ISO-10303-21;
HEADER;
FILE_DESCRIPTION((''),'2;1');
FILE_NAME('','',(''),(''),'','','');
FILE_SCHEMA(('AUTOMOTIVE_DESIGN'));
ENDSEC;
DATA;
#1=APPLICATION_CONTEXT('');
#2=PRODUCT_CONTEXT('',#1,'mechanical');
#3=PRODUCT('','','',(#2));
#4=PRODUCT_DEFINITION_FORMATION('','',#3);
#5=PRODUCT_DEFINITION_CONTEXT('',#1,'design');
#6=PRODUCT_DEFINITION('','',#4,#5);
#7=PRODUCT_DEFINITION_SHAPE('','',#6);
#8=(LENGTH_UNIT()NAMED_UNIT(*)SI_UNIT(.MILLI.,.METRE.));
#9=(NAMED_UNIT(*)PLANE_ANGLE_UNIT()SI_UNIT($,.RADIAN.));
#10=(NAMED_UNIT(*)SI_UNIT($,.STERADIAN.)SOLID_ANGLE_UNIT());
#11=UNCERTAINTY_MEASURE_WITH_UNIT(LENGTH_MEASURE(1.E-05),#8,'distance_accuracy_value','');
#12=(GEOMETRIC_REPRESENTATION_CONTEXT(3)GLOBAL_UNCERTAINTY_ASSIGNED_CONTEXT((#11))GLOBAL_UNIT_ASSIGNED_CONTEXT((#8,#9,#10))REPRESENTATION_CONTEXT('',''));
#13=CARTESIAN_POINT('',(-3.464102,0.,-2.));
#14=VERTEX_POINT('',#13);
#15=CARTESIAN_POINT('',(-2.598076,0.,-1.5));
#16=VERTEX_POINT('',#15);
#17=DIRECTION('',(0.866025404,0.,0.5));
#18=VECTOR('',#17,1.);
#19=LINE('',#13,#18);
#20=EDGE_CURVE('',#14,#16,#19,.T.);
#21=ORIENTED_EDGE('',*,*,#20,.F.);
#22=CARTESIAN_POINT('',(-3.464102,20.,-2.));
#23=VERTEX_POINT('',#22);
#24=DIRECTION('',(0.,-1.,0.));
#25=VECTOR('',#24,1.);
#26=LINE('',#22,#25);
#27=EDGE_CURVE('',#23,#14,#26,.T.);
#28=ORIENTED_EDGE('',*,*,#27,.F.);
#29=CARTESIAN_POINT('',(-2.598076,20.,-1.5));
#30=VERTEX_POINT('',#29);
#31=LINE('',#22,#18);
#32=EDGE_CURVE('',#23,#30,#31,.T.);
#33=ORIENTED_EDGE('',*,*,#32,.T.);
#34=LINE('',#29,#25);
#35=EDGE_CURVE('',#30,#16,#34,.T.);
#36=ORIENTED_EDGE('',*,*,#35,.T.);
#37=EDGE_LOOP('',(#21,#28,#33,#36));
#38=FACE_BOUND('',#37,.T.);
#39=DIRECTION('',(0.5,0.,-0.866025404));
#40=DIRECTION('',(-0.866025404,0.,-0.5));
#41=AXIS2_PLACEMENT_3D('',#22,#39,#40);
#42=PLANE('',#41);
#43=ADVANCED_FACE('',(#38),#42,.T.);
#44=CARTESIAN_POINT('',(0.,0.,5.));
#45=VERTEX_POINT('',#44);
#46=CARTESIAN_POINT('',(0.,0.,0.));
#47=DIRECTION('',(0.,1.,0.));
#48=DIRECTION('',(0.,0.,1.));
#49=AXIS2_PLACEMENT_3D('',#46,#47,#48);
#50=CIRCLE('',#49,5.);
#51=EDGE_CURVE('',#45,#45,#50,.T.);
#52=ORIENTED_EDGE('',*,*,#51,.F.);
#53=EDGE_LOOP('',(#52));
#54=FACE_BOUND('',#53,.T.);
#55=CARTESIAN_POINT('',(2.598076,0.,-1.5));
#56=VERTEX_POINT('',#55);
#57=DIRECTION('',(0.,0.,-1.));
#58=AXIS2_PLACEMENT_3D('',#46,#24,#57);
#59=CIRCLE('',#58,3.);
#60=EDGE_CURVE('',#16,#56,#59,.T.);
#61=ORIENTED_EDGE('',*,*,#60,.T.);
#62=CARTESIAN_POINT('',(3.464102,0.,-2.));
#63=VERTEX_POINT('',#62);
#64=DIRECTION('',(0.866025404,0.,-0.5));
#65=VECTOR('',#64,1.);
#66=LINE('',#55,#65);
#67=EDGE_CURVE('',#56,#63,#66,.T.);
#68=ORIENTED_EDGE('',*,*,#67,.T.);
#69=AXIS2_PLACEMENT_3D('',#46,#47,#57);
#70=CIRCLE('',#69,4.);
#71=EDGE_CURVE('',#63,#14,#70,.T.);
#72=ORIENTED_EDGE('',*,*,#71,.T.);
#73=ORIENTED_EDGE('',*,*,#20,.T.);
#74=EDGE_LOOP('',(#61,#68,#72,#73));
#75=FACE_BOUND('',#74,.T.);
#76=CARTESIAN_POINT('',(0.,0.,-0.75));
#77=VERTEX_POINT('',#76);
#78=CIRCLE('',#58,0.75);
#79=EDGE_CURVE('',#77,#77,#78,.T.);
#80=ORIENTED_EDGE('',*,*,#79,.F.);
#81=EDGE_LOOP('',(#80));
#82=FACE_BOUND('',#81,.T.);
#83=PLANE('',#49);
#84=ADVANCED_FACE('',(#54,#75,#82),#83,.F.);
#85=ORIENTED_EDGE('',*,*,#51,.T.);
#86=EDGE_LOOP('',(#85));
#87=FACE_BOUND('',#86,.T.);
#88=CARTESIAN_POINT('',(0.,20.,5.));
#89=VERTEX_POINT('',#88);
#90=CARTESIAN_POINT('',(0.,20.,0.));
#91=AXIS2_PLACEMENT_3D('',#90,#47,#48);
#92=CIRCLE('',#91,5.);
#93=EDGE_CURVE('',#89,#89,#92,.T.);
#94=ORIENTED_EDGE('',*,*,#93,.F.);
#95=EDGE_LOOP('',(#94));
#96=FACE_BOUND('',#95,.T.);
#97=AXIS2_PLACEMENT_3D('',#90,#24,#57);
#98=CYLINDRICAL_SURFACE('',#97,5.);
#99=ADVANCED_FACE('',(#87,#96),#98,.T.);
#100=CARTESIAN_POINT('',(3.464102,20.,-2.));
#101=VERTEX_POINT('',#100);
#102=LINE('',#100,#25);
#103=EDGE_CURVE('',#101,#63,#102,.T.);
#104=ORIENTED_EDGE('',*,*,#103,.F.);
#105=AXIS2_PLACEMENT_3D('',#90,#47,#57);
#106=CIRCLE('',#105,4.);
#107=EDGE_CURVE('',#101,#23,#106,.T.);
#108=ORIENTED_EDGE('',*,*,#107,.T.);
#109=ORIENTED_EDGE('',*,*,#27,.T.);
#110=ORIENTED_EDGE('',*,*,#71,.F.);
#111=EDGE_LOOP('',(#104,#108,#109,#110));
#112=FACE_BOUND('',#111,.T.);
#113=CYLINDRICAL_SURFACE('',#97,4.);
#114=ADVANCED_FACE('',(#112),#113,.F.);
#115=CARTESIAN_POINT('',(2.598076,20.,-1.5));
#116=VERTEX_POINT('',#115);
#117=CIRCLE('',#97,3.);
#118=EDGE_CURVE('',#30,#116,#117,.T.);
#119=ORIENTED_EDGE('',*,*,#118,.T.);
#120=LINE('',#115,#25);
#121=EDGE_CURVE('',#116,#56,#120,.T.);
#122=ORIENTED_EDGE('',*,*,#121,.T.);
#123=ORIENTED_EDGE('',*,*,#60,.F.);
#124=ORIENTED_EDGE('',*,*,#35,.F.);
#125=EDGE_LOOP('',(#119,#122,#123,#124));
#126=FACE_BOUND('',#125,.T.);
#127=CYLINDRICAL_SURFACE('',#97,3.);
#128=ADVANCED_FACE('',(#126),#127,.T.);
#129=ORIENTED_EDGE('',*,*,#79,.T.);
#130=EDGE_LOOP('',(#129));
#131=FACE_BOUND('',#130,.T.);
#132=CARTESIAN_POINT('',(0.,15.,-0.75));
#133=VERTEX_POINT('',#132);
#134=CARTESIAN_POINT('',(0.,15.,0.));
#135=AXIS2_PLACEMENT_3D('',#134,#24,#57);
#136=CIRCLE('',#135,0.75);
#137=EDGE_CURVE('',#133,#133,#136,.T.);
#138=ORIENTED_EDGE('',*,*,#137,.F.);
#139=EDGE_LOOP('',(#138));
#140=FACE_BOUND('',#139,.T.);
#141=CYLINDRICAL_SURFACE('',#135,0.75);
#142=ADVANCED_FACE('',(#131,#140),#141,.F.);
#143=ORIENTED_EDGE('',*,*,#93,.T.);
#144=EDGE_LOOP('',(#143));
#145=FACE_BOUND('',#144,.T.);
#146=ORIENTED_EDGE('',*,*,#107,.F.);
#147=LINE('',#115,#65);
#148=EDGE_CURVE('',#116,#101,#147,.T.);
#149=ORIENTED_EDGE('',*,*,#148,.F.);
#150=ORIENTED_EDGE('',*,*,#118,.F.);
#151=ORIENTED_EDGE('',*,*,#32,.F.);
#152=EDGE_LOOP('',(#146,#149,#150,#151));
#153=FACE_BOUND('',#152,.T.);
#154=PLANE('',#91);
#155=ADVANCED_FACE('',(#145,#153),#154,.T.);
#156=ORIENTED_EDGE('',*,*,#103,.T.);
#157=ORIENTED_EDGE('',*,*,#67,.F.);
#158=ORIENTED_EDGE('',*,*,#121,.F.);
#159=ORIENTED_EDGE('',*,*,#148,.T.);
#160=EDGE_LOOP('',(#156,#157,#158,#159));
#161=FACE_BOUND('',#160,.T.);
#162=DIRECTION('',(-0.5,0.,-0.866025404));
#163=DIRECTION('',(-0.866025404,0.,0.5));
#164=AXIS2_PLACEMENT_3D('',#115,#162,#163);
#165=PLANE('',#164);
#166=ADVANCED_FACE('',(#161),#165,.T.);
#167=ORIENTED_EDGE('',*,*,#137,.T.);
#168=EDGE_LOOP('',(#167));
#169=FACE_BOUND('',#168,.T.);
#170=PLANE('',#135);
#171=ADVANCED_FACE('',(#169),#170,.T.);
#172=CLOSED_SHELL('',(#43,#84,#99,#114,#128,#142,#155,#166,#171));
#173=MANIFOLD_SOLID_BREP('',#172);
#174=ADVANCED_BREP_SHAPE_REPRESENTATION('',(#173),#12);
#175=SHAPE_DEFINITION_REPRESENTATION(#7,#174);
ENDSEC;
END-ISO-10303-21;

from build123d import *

# Parameters (mm, degrees)
SKETCH1_R           = 5
BOSS_EXTRUDE1_DEPTH = 20
SKETCH2_R           = 0.75
CUT_EXTRUDE1_DEPTH  = 15


with BuildPart() as part:
    # Sketch1 → Boss-Extrude1 (new body)
    with BuildSketch(Plane(origin=(0, 0, 0), x_dir=(1, 0, 0), z_dir=(0, 1, 0))):
        with Locations(Location((0, 0, 0), (0, 0, 270))):
            Circle(SKETCH1_R)
        with BuildLine():
            Line((-3.464101615, 2), (-2.598076211, 1.5))
            ThreePointArc((-2.598076211, 1.5), (0, 3), (2.598076211, 1.5))
            Line((2.598076211, 1.5), (3.464101615, 2))
            ThreePointArc((3.464101615, 2), (0, 4), (-3.464101615, 2))
        make_face(mode=Mode.SUBTRACT)
    extrude(amount=BOSS_EXTRUDE1_DEPTH)

    # Sketch2 → Cut-Extrude1 (cut)
    with BuildSketch(Plane.XZ):
        with Locations(Location((0, 0, 0), (0, 0, 270))):
            Circle(SKETCH2_R)
    extrude(amount=-CUT_EXTRUDE1_DEPTH, mode=Mode.SUBTRACT)


solid = part.part
